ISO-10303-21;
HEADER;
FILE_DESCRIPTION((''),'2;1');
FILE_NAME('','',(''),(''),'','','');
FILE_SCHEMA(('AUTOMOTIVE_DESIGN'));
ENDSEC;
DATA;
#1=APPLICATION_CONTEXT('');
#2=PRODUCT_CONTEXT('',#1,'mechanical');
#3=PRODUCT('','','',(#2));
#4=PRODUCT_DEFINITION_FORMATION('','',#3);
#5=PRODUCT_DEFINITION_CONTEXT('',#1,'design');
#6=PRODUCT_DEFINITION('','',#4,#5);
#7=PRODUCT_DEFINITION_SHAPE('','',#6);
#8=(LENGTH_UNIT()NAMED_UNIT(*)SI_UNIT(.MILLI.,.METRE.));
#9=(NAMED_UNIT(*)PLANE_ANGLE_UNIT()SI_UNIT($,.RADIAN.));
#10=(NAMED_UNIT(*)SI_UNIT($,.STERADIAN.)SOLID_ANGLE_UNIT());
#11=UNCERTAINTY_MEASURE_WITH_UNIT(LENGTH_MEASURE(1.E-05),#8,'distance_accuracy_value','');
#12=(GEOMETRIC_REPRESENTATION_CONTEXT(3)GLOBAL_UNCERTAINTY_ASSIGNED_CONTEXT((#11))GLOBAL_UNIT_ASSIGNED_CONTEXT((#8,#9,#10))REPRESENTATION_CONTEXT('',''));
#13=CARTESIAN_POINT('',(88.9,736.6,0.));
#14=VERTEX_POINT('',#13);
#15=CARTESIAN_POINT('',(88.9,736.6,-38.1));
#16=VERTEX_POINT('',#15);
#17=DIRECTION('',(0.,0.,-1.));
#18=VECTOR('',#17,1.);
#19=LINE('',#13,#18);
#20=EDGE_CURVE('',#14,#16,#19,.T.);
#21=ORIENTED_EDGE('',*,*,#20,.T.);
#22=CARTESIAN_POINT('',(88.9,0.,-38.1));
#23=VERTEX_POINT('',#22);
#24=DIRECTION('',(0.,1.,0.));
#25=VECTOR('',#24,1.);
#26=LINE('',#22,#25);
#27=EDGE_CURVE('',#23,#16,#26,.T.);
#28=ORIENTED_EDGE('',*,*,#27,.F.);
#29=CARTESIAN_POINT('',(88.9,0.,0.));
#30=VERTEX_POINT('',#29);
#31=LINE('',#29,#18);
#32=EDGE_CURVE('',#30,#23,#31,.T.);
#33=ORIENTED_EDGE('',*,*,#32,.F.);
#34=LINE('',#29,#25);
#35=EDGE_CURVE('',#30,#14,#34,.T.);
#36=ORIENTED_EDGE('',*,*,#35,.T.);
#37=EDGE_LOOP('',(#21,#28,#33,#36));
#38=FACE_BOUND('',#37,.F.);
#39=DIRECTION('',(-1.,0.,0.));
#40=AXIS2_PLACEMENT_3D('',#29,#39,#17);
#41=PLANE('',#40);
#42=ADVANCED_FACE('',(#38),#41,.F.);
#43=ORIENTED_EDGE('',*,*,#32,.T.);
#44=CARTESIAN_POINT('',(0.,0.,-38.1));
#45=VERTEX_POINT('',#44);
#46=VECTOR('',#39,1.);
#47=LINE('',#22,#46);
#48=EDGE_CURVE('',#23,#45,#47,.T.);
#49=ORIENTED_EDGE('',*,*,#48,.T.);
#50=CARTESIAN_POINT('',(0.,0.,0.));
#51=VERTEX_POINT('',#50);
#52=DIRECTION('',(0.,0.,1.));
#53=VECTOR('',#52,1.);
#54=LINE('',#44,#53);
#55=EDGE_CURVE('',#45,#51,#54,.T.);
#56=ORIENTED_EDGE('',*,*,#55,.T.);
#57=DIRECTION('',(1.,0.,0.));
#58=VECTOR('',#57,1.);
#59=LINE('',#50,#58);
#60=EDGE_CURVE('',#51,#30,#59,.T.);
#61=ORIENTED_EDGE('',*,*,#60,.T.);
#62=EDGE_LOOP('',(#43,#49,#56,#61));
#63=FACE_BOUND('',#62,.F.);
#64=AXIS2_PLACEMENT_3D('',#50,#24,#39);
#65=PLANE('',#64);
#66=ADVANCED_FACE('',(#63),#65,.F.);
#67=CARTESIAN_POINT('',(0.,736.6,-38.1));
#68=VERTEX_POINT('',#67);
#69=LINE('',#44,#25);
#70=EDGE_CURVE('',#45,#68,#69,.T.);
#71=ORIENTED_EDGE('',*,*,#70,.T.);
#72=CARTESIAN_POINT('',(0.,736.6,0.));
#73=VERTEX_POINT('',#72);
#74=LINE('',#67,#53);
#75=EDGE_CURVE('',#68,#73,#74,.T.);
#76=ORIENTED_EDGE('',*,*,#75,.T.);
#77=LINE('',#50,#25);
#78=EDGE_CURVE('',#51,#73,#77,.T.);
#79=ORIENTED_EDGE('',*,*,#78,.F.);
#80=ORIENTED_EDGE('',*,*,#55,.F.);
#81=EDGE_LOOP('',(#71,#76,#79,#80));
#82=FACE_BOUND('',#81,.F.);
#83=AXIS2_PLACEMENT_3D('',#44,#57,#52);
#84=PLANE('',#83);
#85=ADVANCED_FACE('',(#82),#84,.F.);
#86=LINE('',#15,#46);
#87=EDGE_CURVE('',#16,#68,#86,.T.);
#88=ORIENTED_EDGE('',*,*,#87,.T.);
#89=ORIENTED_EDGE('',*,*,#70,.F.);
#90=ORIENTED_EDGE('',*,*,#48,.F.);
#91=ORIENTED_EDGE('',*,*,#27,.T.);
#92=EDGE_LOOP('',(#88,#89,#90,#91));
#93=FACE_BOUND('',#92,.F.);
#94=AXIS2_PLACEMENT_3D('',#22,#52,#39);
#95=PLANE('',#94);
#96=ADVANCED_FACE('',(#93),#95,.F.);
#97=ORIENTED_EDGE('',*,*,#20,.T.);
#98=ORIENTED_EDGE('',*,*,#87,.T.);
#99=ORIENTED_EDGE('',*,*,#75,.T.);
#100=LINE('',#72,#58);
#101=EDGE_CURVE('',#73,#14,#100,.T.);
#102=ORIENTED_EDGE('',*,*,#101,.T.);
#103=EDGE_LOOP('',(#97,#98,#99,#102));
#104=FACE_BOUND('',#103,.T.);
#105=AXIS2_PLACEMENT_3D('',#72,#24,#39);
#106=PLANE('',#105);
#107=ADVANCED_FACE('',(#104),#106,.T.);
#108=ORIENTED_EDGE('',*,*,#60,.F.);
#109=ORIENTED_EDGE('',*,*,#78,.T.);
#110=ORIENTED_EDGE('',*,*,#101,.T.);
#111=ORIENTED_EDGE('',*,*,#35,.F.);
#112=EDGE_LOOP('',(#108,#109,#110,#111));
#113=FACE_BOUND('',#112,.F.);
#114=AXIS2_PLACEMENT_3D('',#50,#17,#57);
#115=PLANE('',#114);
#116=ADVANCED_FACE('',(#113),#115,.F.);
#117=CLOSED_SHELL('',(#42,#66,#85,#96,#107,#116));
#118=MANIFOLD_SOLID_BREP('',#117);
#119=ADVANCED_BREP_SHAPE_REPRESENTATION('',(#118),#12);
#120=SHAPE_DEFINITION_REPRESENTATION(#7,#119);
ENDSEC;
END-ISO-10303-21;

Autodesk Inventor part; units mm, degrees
ref_plane "YZ Plane" through (0, 0, 0) normal (1, 0, 0) x (0, 1, 0)
ref_plane "XZ Plane" through (0, 0, 0) normal (0, 1, 0) x (-1, 0, 0)
ref_plane "XY Plane" through (0, 0, 0) normal (0, 0, 1) x (1, 0, 0)
sketch "Sketch1" plane through (0, 0, 0) normal (0, 1, 0) x (-1, 0, 0)
  line L0 (0, 0) -> (-88.9, 0)
  line L1 (-88.9, 0) -> (-88.9, -38.1)
  line L2 (-88.9, -38.1) -> (0, -38.1)
  line L3 (0, -38.1) -> (0, 0)
  dimension "d0" = 88.9
  dimension "d1" = 38.1
extrude "Extrusion1" add sketch "Sketch1" along normal blind 736.6
properties part number "base long wall b bar"
